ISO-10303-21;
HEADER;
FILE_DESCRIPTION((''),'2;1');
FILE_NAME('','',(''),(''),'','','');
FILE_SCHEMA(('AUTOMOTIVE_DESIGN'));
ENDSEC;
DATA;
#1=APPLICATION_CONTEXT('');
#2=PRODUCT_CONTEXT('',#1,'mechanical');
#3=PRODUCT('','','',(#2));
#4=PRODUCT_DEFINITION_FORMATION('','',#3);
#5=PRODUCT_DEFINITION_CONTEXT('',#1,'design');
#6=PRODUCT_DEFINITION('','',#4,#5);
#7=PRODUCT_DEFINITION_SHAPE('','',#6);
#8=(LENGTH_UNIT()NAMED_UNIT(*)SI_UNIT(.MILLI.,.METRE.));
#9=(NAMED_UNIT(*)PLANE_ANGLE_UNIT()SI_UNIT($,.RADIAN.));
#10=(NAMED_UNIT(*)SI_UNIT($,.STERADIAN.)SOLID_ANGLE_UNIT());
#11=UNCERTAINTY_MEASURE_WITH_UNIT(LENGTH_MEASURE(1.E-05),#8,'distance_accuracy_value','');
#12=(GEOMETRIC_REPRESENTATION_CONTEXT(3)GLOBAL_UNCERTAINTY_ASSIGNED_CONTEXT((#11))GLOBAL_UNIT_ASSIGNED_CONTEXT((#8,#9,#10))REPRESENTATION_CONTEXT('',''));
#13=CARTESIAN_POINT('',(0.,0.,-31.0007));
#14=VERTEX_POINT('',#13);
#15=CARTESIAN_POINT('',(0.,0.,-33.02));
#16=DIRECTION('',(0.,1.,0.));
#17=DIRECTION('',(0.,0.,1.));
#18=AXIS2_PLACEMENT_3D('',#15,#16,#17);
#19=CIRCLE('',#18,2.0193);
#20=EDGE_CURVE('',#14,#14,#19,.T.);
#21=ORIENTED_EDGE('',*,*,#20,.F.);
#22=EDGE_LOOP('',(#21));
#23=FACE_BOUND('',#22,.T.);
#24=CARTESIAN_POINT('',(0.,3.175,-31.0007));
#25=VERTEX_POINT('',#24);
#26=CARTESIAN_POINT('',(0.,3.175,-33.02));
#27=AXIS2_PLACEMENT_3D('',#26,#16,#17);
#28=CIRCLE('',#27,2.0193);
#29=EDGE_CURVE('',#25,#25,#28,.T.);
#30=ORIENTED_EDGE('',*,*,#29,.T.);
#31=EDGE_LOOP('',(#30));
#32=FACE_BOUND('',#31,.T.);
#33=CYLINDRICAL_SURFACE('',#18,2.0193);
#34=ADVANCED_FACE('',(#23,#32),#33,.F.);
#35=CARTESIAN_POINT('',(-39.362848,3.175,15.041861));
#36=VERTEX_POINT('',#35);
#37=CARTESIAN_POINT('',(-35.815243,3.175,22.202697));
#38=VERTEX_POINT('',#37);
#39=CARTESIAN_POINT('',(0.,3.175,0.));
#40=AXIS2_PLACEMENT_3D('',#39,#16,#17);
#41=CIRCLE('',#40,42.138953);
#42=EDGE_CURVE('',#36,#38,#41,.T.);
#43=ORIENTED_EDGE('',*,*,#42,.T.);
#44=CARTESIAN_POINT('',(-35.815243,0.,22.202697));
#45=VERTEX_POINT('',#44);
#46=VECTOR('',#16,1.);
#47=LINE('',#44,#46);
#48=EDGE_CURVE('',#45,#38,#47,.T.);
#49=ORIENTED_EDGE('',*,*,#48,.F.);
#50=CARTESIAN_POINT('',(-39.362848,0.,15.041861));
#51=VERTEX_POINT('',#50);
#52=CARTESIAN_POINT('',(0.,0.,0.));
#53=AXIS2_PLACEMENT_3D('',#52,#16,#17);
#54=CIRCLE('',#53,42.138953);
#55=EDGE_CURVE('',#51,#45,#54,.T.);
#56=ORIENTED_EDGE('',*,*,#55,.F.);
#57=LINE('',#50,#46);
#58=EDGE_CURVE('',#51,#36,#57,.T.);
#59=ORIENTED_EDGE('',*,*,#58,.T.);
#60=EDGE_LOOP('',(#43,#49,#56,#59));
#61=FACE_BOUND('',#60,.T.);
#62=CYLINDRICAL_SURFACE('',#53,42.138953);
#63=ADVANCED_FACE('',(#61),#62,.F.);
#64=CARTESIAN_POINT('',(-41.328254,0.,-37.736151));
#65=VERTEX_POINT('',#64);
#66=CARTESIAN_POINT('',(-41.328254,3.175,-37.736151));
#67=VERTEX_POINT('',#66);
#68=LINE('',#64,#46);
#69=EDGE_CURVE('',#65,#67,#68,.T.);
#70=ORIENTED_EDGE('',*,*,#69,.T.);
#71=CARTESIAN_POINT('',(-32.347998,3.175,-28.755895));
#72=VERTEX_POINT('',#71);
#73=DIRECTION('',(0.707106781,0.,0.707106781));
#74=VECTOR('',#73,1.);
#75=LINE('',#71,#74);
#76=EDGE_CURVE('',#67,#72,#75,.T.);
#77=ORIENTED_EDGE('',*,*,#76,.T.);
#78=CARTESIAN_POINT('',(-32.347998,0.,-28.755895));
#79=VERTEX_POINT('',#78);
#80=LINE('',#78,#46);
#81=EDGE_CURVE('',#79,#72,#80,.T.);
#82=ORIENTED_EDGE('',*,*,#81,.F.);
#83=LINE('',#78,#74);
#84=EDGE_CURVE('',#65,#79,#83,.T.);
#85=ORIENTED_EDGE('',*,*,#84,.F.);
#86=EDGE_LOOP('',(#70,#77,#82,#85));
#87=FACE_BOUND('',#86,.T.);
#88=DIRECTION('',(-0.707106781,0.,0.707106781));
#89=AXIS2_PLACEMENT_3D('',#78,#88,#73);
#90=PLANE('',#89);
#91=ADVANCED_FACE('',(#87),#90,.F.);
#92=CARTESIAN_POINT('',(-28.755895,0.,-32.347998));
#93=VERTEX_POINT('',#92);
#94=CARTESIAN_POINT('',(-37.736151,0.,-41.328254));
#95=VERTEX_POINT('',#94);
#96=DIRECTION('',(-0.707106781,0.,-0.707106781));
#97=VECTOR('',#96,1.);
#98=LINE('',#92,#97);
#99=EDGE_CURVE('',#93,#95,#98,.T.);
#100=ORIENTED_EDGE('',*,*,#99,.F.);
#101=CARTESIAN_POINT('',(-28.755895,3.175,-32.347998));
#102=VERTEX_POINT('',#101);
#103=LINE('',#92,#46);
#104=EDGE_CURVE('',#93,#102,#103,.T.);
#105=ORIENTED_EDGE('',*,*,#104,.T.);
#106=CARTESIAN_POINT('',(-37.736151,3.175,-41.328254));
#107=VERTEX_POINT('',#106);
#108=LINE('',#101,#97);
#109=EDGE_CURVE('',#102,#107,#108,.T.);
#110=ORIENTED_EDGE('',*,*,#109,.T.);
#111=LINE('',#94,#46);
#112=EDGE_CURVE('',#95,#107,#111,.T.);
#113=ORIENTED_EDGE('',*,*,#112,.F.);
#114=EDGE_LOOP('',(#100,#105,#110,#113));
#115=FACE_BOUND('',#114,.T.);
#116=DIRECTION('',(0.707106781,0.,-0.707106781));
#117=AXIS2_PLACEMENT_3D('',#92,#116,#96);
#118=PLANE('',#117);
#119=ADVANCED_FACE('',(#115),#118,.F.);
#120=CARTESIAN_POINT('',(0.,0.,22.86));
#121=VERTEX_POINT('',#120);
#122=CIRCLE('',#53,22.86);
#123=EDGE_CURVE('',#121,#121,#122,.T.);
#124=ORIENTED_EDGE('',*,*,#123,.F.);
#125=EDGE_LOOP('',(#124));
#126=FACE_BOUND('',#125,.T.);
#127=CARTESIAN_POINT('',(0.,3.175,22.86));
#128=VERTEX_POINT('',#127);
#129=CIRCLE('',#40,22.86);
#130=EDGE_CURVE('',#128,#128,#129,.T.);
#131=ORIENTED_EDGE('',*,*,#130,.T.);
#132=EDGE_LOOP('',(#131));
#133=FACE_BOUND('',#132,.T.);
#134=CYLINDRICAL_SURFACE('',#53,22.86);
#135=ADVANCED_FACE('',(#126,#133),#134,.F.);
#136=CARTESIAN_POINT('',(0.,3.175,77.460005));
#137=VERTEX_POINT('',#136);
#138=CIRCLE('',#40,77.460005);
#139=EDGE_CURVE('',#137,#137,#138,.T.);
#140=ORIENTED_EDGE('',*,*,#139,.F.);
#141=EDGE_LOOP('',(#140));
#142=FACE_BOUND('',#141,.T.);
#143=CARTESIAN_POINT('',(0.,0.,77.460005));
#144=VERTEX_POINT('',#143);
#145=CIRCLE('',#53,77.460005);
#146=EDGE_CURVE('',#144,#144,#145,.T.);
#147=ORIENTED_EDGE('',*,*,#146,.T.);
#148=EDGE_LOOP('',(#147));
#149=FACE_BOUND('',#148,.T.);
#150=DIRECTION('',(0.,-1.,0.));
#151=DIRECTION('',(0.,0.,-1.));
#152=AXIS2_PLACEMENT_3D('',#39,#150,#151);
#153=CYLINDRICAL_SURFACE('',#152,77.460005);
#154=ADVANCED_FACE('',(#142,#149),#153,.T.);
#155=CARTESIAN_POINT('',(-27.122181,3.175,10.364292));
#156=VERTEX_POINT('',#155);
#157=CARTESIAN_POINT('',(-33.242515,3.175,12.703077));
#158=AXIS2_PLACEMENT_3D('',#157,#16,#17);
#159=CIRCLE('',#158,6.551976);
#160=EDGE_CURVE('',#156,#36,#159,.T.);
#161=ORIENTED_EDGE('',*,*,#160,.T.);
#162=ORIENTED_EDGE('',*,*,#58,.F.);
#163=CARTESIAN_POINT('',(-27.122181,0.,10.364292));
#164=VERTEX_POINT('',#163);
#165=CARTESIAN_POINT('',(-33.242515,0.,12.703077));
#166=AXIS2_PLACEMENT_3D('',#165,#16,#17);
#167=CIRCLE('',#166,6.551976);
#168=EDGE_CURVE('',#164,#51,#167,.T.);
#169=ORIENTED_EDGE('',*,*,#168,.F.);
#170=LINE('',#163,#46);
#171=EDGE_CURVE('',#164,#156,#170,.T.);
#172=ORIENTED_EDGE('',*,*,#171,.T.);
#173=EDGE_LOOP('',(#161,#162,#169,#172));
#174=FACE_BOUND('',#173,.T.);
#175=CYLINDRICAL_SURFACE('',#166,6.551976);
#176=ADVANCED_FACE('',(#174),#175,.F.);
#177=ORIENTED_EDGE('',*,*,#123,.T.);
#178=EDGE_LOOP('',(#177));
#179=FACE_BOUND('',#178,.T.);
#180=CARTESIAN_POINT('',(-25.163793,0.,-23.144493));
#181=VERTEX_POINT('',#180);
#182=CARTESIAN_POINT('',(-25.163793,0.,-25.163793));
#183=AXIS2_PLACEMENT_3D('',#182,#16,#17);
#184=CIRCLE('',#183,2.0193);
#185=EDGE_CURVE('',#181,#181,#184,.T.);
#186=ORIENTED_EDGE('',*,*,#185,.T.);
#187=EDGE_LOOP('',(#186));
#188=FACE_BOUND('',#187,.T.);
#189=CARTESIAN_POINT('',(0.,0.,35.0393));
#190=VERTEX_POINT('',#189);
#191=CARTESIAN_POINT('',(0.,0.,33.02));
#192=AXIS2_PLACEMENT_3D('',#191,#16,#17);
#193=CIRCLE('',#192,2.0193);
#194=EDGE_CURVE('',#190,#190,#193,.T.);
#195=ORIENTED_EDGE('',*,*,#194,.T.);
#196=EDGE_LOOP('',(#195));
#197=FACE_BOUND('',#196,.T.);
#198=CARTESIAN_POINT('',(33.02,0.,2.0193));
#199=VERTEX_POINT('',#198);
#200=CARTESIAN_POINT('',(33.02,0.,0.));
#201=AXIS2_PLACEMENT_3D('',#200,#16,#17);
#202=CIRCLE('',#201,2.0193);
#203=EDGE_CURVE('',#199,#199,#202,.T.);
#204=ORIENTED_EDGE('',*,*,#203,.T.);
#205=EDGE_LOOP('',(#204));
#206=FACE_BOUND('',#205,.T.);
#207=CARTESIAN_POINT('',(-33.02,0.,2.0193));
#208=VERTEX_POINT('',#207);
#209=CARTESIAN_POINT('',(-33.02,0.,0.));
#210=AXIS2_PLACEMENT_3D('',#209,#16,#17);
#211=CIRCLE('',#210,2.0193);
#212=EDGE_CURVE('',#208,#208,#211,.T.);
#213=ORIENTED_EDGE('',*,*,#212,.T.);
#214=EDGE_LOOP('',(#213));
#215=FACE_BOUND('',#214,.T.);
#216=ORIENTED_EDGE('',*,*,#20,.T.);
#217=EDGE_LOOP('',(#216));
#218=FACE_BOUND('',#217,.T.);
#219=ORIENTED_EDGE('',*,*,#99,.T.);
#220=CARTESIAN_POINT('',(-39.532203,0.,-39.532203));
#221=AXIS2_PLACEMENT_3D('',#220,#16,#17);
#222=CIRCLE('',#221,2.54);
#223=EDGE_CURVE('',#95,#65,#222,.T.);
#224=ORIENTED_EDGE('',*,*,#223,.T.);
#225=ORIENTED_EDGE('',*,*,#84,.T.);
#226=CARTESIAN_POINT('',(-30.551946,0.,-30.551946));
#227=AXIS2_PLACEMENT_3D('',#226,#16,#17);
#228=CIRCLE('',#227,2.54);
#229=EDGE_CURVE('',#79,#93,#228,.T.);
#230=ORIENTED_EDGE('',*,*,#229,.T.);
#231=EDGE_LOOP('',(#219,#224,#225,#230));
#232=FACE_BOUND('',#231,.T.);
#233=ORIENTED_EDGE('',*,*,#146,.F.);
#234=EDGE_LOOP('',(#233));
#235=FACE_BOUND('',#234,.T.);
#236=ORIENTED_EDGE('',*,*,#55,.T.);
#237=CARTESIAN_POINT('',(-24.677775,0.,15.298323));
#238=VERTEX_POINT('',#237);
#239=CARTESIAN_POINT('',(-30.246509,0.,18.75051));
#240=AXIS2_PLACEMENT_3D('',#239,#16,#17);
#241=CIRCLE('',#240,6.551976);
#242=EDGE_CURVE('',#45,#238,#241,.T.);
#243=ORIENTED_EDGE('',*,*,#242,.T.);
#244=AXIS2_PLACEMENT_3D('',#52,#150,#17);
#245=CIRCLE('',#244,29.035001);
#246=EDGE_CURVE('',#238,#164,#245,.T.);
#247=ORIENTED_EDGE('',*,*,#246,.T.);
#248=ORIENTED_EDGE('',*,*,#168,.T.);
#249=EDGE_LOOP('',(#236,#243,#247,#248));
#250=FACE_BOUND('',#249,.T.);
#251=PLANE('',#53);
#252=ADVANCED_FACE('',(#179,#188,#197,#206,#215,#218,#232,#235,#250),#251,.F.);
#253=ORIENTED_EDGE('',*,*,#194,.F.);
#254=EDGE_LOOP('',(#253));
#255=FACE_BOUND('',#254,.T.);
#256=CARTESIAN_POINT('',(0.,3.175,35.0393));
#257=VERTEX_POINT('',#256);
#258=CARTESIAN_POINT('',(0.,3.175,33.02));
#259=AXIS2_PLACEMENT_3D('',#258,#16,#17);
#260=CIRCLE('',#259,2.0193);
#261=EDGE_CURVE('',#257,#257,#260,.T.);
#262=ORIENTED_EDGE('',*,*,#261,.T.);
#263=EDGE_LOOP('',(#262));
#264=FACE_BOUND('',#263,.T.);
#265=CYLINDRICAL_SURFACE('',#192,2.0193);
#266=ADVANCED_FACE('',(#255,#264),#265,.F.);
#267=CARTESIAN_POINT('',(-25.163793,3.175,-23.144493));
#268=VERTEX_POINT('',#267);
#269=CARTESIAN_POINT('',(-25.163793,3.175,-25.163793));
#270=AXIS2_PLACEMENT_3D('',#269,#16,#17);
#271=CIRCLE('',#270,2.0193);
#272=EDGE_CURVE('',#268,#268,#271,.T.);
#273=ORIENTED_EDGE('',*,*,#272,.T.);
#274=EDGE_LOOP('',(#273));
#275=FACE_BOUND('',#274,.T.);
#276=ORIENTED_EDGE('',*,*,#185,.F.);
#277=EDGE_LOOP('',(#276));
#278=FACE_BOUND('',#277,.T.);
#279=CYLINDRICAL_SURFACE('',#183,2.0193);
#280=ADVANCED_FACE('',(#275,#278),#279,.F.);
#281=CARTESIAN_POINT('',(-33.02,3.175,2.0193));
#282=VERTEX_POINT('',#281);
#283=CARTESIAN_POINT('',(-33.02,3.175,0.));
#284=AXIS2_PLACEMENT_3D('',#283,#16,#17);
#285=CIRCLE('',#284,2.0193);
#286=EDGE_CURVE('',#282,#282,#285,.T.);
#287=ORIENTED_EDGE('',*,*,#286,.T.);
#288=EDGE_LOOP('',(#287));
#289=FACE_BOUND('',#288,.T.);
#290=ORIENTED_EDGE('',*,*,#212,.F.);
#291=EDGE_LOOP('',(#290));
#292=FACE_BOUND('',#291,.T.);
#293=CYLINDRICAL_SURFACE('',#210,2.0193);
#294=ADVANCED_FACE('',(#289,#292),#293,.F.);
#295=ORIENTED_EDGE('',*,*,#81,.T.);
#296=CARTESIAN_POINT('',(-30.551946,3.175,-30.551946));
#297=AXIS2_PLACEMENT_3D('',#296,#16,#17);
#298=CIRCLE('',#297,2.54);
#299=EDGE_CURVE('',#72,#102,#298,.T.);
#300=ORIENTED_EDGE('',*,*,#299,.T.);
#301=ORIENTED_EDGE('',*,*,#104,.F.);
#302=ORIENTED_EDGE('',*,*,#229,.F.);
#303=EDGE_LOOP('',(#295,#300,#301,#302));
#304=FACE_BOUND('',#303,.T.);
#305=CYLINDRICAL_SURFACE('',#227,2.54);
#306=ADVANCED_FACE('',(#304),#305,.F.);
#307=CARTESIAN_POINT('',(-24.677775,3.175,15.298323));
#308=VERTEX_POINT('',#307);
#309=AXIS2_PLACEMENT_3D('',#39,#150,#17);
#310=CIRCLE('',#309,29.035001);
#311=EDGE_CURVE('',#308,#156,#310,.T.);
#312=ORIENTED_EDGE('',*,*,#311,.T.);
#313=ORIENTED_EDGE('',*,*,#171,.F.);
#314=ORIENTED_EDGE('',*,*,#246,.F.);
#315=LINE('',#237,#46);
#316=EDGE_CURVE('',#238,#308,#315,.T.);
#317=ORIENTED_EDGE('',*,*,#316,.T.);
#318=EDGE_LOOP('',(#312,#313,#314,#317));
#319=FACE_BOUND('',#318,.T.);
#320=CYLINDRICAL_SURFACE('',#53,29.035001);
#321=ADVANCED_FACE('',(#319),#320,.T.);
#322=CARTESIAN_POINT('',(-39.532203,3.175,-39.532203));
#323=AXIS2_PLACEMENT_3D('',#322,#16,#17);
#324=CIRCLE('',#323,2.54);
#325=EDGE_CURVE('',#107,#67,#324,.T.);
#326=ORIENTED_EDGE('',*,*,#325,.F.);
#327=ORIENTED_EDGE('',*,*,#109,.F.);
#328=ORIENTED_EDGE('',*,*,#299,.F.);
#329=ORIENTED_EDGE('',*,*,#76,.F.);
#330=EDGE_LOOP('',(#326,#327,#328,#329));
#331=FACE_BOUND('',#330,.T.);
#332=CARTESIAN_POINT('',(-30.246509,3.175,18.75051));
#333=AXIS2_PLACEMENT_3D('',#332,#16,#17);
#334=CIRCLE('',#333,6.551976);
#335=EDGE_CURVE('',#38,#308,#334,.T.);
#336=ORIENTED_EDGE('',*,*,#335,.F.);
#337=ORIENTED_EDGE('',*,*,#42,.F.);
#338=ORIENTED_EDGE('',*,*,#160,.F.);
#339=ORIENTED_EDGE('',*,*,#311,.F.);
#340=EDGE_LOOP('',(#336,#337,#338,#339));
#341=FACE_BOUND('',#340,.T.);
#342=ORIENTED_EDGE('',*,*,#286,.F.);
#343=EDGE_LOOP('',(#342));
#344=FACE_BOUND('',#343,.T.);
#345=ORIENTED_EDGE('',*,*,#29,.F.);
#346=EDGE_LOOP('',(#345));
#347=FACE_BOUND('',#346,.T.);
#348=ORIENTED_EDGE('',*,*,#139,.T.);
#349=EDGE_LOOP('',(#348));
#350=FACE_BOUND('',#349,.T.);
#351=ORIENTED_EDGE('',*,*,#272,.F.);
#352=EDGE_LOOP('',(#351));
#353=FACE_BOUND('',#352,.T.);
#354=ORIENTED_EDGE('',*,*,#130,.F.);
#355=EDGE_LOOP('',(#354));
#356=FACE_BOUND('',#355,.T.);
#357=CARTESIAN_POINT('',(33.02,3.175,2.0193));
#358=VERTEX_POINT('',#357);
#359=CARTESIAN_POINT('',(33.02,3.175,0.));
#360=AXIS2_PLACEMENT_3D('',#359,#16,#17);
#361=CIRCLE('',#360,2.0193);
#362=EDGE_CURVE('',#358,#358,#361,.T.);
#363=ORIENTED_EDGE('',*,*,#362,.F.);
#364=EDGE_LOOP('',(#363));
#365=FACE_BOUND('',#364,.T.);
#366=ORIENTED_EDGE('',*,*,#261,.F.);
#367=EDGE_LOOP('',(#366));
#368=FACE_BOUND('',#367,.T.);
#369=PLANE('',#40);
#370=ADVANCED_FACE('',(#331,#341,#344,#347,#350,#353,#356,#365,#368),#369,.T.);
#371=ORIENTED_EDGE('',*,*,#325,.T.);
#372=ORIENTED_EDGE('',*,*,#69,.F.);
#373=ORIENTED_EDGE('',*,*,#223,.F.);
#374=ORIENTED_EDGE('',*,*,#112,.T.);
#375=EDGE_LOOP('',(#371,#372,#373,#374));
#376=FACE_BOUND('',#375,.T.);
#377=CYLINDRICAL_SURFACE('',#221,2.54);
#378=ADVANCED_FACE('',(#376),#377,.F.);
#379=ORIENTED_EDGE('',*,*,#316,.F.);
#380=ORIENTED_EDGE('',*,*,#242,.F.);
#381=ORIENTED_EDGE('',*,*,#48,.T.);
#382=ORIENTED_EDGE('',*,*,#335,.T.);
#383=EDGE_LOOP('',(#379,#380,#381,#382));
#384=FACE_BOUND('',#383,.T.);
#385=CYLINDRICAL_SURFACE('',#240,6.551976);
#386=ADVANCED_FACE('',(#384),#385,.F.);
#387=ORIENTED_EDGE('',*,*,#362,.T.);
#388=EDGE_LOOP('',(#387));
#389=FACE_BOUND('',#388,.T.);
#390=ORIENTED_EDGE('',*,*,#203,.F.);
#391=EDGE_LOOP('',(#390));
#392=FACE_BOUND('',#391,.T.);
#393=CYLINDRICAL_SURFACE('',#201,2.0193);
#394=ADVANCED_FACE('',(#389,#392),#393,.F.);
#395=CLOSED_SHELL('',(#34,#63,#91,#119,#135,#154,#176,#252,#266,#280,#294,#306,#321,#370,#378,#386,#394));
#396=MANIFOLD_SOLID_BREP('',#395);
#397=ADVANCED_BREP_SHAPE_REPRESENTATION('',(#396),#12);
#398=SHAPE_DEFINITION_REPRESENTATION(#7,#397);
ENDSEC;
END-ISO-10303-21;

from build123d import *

# Parameters (mm, degrees)
SKETCH1_R           = 77.4600051
BOSS_EXTRUDE1_DEPTH = 3.175
SKETCH20_R          = 22.86
SKETCH20_R_2        = 2.0193
CUT_EXTRUDE10_DEPTH = 250.596695835
CUT_EXTRUDE11_DEPTH = 3.175
SKETCH22_R          = 2.0193
CUT_EXTRUDE12_DEPTH = 250.596695835
CUT_EXTRUDE13_DEPTH = 250.596695835


with BuildPart() as part:
    # Sketch1 → Boss-Extrude1 (new body)
    with BuildSketch(Plane(origin=(0, 0, 0), x_dir=(1, 0, 0), z_dir=(0, 1, 0))):
        with Locations(Location((0, 0, 0), (0, 0, 270))):
            Circle(SKETCH1_R)
    extrude(amount=BOSS_EXTRUDE1_DEPTH)

    # Sketch20 → Cut-Extrude10 (cut, through all)
    with BuildSketch(Plane(origin=(-73.768816189, 3.175, -121.080352405), x_dir=(1, 0, 0), z_dir=(0, 1, 0))):
        with Locations(Location((73.768816189, -121.080352405, 0), (0, 0, 270))):
            Circle(SKETCH20_R)
        with Locations(Location((73.768816189, -88.060352405, 0), (0, 0, 270))):
            Circle(SKETCH20_R_2)
        with Locations(Location((106.788816189, -121.080352405, 0), (0, 0, 270))):
            Circle(SKETCH20_R_2)
        with Locations(Location((73.768816189, -154.100352405, 0), (0, 0, 270))):
            Circle(SKETCH20_R_2)
        with Locations(Location((40.748816189, -121.080352405, 0), (0, 0, 270))):
            Circle(SKETCH20_R_2)
    extrude(amount=-CUT_EXTRUDE10_DEPTH, mode=Mode.SUBTRACT)

    # Sketch21 → Cut-Extrude11 (cut)
    with BuildSketch(Plane(origin=(-73.768816189, 3.175, -121.080352405), x_dir=(1, 0, 0), z_dir=(0, 1, 0))):
        with BuildLine():
            Line((41.420818538, -92.324457203), (32.440562417, -83.344201082))
            ThreePointArc((32.440562417, -83.344201082), (32.440562417, -79.752098633), (36.032664865, -79.752098633))
            Line((36.032664865, -79.752098633), (45.012920986, -88.732354754))
            ThreePointArc((45.012920986, -88.732354754), (45.012920986, -92.324457203), (41.420818538, -92.324457203))
        make_face()
    extrude(amount=-CUT_EXTRUDE11_DEPTH, mode=Mode.SUBTRACT)

    # Sketch22 → Cut-Extrude12 (cut, through all)
    with BuildSketch(Plane(origin=(-73.768816189, 3.175, -121.080352405), x_dir=(1, 0, 0), z_dir=(0, 1, 0))):
        with Locations(Location((48.605023435, -95.916559651, 0), (0, 0, 270))):
            Circle(SKETCH22_R)
    extrude(amount=-CUT_EXTRUDE12_DEPTH, mode=Mode.SUBTRACT)

    # Sketch23 → Cut-Extrude13 (cut, through all)
    with BuildSketch(Plane(origin=(-73.768816189, 3.175, -121.080352405), x_dir=(1, 0, 0), z_dir=(0, 1, 0))):
        with BuildLine():
            ThreePointArc((34.405967979, -136.122213123), (36.00963526, -139.786919397), (37.953573181, -143.283049568))
            ThreePointArc((37.953573181, -143.283049568), (46.974494303, -145.399596657), (49.091041391, -136.378675534))
            ThreePointArc((49.091041391, -136.378675534), (47.751609959, -133.969737166), (46.646635186, -131.444644817))
            ThreePointArc((46.646635186, -131.444644817), (38.18751743, -127.663095366), (34.405967979, -136.122213123))
        make_face()
    extrude(amount=-CUT_EXTRUDE13_DEPTH, mode=Mode.SUBTRACT)


solid = part.part
